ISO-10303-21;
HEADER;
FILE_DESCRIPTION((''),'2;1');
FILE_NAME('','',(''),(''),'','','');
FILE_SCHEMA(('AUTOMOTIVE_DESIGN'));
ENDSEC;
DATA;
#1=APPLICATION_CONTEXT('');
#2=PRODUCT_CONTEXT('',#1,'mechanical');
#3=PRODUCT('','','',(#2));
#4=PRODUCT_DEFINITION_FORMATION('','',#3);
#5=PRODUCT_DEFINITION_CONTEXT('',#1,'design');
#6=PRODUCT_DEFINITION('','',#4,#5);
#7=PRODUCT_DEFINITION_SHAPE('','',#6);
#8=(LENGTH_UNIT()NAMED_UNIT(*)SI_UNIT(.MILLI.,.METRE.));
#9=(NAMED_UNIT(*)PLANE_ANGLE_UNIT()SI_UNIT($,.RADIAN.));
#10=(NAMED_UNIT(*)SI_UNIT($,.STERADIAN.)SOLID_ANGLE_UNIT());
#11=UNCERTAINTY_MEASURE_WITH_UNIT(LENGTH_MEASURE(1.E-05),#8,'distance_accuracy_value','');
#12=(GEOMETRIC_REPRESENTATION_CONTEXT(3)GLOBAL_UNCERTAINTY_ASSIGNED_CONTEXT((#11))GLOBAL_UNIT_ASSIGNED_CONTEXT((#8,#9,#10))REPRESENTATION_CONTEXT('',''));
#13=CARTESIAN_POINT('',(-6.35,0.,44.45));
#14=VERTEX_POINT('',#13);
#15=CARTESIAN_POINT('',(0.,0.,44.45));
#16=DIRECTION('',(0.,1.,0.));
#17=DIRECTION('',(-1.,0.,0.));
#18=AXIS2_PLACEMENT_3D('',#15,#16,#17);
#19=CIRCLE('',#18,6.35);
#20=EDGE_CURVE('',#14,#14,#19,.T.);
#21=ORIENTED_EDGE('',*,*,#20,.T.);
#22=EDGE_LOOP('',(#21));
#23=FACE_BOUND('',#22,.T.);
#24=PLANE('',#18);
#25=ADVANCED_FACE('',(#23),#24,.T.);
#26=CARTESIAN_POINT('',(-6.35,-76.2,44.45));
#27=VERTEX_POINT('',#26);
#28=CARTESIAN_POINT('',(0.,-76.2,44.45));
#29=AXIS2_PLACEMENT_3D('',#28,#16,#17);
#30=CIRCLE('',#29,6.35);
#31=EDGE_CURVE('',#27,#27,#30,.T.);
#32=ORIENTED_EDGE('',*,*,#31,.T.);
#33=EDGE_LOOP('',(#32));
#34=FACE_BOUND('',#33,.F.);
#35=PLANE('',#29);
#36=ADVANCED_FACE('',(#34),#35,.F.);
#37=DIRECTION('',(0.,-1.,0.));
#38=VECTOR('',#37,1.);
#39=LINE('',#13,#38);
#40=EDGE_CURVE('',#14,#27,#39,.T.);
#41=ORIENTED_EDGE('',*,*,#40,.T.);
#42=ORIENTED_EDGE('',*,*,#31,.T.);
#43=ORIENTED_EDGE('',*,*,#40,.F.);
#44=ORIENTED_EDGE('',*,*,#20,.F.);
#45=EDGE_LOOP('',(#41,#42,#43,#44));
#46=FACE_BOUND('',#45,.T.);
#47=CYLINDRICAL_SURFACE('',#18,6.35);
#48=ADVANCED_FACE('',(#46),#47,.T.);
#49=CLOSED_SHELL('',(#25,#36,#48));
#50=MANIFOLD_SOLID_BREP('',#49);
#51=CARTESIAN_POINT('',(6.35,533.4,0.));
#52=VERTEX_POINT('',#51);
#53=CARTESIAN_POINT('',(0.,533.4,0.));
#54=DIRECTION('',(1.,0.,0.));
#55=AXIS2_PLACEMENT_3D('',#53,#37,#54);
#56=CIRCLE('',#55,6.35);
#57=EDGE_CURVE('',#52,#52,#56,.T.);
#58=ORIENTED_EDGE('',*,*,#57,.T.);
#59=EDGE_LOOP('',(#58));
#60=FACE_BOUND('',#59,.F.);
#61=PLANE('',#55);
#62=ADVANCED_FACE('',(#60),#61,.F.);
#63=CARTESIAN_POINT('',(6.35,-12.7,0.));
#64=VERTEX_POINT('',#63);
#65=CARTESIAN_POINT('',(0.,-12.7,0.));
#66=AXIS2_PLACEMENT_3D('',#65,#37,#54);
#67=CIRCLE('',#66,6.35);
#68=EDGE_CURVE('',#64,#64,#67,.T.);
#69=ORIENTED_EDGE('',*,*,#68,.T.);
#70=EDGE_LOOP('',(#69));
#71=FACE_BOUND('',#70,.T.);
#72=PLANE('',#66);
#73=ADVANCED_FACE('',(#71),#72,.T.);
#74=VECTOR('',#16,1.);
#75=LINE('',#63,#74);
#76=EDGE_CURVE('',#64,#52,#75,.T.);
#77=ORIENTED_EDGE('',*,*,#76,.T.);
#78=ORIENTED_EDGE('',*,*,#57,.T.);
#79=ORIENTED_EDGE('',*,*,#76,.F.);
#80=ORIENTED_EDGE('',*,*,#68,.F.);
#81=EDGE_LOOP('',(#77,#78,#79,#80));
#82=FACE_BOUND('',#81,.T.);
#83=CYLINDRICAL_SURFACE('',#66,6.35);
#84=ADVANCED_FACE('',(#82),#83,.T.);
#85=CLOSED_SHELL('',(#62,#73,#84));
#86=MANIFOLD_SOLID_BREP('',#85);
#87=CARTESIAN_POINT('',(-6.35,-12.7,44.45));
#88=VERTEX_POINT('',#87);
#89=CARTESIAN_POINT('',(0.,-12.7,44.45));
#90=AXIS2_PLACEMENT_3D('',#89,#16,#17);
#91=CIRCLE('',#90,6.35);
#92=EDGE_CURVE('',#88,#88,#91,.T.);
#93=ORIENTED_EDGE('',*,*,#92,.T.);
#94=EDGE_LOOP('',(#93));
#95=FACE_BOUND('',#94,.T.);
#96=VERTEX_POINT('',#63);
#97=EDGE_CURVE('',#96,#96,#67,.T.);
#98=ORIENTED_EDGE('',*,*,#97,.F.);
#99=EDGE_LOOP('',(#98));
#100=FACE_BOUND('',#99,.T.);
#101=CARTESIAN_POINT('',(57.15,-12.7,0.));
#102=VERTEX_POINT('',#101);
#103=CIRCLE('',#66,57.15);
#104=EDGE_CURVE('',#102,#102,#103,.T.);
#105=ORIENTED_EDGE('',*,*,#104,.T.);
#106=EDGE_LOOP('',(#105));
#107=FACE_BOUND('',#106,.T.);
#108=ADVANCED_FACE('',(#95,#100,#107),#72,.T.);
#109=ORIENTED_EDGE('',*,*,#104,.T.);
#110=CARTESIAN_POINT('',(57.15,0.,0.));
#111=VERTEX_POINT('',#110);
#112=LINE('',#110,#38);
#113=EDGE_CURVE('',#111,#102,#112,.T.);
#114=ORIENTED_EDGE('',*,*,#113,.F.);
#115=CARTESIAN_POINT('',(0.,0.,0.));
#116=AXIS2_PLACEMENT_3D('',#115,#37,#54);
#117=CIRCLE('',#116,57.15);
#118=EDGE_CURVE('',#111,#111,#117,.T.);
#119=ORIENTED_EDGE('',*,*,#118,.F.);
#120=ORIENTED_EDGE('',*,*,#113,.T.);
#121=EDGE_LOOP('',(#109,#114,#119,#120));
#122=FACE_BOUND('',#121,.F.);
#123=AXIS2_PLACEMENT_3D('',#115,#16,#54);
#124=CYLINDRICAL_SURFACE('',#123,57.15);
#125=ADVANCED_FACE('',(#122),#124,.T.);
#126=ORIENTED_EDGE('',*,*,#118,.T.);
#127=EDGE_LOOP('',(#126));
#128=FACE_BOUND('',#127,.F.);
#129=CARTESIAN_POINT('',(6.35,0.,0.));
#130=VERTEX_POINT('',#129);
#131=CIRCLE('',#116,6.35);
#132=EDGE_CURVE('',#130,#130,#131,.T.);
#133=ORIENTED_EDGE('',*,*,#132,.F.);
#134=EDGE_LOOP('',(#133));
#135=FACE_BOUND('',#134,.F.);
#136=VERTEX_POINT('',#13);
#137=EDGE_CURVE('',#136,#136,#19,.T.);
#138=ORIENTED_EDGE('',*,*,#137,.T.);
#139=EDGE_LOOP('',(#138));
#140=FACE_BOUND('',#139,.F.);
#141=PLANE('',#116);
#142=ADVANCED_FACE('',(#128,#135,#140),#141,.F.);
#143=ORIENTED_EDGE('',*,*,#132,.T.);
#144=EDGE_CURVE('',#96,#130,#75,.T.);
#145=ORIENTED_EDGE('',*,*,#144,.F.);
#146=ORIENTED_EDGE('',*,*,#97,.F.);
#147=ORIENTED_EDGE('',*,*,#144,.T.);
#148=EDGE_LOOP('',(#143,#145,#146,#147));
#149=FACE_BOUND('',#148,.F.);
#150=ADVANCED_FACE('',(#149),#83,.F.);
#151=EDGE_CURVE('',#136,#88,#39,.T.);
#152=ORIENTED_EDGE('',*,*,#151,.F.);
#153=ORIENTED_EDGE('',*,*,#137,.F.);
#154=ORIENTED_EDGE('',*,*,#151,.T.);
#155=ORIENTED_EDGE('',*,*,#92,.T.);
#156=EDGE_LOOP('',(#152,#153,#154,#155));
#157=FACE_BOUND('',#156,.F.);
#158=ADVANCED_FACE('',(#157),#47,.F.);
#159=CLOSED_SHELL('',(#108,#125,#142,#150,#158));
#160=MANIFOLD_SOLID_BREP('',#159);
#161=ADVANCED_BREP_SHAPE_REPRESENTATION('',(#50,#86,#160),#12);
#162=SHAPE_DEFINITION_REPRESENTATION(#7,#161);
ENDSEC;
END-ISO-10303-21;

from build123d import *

# Parameters (mm, degrees)
F0_R     = 57.15
F1_DEPTH = 12.7
F2_R     = 6.35
F3_DEPTH = 12.701
F4_R     = 6.35
F5_DEPTH = 546.1
F6_R     = 6.35
F7_DEPTH = 12.701
F8_DEPTH = 76.2


with BuildPart() as f1:
    # F0 (on Front) → F1 (new body)
    with BuildSketch(Plane.XZ):
        Circle(F0_R)
    extrude(amount=F1_DEPTH)

    # F2 (on face) → F3 (cut, through all)
    with BuildSketch(Plane.XZ.offset(12.7)):
        Circle(F2_R)
    extrude(amount=-F3_DEPTH, mode=Mode.SUBTRACT)

    # F6 (on face) → F7 (cut, through all)
    with BuildSketch(Plane(origin=(0, 0, 0), x_dir=(-1, 0, 0), z_dir=(0, 1, 0))):
        with Locations((0, 44.45)):
            Circle(F6_R)
    extrude(amount=-F7_DEPTH, mode=Mode.SUBTRACT)


with BuildPart() as f5:
    # F4 (on face) → F5 (new body)
    with BuildSketch(Plane.XZ.offset(12.7)):
        Circle(F4_R)
    extrude(amount=-F5_DEPTH)


with BuildPart() as f8:
    # F6 (on face) → F8 (new body)
    with BuildSketch(Plane(origin=(0, 0, 0), x_dir=(-1, 0, 0), z_dir=(0, 1, 0))):
        with Locations((0, 44.45)):
            Circle(F6_R)
    extrude(amount=-F8_DEPTH)


solid = Compound([f1.part, f5.part, f8.part])
